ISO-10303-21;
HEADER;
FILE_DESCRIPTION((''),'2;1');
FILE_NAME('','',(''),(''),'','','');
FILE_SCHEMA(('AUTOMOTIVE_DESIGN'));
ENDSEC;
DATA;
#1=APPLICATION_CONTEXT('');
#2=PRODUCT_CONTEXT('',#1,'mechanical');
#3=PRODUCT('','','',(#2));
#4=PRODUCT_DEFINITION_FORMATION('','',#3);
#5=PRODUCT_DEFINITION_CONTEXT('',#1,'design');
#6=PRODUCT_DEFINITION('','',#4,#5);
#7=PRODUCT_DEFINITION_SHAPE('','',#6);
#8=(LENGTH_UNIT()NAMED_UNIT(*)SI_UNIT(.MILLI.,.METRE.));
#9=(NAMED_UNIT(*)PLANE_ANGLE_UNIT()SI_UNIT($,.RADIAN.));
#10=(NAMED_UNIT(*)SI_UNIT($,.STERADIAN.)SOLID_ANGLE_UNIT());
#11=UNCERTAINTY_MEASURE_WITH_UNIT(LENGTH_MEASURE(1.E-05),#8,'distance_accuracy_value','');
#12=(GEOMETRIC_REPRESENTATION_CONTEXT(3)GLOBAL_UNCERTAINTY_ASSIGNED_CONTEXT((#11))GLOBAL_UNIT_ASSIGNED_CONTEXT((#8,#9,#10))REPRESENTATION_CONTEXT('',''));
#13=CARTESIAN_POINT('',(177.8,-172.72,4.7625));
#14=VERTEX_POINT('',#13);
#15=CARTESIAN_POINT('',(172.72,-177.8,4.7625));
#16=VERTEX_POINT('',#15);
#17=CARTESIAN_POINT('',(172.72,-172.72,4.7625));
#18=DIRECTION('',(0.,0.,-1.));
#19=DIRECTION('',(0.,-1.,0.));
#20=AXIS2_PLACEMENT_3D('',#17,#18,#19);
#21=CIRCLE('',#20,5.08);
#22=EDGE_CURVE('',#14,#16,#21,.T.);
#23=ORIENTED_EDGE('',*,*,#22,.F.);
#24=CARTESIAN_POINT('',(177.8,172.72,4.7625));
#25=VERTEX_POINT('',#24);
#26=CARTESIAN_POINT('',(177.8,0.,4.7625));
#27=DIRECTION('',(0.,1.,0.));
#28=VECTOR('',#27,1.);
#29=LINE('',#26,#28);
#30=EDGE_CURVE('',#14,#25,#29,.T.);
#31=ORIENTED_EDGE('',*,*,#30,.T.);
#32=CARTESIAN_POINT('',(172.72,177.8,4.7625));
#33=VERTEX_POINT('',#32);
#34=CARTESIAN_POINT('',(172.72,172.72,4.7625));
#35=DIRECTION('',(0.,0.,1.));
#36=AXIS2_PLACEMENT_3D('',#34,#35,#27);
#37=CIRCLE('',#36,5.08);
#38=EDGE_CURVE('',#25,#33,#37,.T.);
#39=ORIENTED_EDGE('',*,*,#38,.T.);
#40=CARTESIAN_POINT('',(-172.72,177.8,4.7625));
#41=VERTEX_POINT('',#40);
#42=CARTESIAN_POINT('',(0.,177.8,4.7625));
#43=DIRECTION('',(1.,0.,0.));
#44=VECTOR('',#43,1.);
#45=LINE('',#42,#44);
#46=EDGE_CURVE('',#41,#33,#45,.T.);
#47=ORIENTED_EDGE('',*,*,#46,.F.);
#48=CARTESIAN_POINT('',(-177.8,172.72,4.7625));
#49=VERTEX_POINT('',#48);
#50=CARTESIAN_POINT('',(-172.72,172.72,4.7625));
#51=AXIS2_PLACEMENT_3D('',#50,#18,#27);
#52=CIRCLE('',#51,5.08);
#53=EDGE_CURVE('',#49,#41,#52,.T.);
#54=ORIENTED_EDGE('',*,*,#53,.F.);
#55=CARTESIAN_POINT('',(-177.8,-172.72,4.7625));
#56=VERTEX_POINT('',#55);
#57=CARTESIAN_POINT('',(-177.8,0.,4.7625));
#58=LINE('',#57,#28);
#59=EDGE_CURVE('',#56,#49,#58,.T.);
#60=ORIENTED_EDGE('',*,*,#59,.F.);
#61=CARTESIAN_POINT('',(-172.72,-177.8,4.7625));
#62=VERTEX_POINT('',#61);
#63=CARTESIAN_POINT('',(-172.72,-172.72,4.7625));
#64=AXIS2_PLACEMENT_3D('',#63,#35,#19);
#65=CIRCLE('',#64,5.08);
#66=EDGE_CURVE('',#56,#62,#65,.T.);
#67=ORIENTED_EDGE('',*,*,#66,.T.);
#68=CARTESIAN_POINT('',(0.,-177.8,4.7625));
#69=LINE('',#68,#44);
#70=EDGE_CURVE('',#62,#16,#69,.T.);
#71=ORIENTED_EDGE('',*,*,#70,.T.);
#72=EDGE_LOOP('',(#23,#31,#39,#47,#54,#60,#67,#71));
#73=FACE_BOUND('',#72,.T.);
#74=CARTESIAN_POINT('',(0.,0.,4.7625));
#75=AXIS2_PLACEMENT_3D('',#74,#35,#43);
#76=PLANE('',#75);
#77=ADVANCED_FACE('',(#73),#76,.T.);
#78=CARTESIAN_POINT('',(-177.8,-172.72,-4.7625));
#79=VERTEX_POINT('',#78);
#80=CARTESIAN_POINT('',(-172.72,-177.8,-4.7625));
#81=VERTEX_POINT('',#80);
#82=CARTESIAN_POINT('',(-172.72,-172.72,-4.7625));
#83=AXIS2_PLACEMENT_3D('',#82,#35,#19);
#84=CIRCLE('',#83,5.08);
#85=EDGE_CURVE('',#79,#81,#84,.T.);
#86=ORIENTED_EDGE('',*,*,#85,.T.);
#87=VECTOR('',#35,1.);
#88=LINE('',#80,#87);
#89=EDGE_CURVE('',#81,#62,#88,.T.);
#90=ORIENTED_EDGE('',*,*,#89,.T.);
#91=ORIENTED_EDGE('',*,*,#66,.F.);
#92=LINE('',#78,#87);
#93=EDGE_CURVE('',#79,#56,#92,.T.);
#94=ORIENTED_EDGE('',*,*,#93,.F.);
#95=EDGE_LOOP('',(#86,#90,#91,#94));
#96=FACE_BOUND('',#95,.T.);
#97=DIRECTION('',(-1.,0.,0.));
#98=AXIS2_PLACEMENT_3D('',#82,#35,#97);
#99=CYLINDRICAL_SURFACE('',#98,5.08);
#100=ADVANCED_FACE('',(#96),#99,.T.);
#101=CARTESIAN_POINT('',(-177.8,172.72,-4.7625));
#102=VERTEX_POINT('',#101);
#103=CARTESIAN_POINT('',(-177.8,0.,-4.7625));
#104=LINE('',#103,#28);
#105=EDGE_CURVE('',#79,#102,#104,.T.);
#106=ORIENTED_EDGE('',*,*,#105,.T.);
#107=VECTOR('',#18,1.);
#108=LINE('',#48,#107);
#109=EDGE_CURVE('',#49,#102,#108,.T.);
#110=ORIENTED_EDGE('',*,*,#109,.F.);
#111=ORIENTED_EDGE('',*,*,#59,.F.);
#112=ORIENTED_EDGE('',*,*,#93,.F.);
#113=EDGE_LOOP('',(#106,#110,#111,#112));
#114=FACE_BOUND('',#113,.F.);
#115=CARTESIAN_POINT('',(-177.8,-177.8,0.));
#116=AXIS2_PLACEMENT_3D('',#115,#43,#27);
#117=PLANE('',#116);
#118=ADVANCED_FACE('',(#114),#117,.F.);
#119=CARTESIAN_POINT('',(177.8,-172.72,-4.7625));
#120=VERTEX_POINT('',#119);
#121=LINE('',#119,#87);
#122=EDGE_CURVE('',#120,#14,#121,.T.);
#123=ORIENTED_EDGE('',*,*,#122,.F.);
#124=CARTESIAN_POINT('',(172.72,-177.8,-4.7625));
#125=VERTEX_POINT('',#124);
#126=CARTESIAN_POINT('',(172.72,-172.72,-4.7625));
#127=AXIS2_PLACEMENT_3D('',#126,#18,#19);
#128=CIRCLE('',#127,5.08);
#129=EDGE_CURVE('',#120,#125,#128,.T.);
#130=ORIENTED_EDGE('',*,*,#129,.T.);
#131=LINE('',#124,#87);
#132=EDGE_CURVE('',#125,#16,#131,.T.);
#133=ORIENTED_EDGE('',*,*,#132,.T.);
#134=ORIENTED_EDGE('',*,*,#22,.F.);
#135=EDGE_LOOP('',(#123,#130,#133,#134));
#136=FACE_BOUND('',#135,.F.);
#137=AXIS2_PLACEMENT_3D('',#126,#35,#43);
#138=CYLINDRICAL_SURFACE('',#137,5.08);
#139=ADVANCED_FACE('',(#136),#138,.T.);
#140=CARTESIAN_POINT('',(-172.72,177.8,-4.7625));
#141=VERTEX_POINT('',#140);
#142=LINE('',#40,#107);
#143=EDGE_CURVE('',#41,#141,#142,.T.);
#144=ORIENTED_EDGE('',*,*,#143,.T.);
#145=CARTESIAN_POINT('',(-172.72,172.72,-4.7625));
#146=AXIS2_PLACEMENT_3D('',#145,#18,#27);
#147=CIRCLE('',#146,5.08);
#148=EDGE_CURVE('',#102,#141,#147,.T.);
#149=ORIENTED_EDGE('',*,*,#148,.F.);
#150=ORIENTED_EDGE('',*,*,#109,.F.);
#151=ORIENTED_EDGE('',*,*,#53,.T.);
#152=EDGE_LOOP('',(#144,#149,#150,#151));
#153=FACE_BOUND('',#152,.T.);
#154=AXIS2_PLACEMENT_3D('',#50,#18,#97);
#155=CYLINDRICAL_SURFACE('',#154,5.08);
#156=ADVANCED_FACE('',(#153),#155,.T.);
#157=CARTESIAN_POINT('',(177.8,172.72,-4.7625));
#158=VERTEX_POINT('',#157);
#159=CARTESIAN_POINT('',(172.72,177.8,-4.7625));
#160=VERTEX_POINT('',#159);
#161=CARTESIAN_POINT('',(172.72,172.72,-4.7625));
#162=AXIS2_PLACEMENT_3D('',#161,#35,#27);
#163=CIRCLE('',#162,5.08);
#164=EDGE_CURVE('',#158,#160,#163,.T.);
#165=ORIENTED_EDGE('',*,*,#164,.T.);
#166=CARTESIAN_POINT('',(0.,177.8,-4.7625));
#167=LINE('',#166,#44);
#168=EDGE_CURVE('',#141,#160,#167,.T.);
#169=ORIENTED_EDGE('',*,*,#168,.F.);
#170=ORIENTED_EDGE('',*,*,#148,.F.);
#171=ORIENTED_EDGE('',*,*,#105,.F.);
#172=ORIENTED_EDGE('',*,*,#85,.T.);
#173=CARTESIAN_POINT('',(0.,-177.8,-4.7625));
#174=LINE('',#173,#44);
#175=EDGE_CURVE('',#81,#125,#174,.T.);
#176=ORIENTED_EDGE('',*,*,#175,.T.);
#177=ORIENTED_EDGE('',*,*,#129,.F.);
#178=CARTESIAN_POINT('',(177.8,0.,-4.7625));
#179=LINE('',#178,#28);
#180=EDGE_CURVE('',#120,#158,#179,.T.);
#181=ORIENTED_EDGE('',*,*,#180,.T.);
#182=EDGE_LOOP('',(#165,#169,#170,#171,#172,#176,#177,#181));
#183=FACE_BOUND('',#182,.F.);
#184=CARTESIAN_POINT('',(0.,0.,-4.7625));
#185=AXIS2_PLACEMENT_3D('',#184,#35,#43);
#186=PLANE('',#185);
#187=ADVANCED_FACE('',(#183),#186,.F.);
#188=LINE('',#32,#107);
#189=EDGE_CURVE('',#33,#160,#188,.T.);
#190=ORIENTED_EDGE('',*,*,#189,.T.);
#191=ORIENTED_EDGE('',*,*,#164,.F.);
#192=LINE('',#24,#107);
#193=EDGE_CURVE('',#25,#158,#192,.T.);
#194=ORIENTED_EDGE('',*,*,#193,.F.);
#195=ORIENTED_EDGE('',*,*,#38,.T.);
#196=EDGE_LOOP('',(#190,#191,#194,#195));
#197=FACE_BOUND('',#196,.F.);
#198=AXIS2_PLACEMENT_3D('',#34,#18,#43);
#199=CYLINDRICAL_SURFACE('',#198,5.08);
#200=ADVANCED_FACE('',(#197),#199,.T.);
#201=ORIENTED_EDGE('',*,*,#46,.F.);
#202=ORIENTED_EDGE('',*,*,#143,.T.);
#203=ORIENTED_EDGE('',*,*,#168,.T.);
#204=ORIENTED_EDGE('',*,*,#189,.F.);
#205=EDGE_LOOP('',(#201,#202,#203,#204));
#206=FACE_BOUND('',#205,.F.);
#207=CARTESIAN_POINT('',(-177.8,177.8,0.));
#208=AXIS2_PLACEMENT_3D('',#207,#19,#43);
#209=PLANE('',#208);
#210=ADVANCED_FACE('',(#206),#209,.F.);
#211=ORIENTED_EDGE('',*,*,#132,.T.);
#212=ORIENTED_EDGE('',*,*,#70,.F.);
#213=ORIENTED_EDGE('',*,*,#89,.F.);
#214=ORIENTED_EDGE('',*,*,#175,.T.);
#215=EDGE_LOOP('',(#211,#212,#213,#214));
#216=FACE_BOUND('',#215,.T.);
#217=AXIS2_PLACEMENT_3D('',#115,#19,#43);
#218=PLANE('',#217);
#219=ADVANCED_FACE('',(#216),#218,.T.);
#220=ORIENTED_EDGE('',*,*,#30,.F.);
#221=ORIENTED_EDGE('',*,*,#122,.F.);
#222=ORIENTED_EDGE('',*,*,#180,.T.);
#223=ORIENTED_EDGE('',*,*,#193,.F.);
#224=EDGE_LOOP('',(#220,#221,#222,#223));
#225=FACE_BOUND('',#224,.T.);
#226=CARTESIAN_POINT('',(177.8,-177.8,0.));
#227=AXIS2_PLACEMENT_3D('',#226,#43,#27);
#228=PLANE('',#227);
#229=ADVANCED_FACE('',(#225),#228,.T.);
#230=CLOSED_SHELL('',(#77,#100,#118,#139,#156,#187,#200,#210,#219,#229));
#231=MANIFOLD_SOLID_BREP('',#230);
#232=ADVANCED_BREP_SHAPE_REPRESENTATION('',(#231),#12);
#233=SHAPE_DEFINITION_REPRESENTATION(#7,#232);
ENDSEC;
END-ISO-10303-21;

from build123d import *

# Parameters (mm, degrees)
F0_W     = 355.6
F0_H     = 355.6
F1_DEPTH = 4.7625
F2_R     = 5.08


with BuildPart() as f1:
    # F0 (on Top) → F1 (new body, symmetric)
    with BuildSketch(Plane.XY):
        Rectangle(F0_W, F0_H)
    extrude(amount=F1_DEPTH, both=True)

    # F2
    f2_edges = [f1.edges().sort_by_distance(p)[0] for p in [
        (-177.8, 177.8, 0),
        (-177.8, -177.8, 0),
        (177.8, -177.8, 0),
        (177.8, 177.8, 0),
    ]]
    fillet(f2_edges, radius=F2_R)


solid = f1.part
